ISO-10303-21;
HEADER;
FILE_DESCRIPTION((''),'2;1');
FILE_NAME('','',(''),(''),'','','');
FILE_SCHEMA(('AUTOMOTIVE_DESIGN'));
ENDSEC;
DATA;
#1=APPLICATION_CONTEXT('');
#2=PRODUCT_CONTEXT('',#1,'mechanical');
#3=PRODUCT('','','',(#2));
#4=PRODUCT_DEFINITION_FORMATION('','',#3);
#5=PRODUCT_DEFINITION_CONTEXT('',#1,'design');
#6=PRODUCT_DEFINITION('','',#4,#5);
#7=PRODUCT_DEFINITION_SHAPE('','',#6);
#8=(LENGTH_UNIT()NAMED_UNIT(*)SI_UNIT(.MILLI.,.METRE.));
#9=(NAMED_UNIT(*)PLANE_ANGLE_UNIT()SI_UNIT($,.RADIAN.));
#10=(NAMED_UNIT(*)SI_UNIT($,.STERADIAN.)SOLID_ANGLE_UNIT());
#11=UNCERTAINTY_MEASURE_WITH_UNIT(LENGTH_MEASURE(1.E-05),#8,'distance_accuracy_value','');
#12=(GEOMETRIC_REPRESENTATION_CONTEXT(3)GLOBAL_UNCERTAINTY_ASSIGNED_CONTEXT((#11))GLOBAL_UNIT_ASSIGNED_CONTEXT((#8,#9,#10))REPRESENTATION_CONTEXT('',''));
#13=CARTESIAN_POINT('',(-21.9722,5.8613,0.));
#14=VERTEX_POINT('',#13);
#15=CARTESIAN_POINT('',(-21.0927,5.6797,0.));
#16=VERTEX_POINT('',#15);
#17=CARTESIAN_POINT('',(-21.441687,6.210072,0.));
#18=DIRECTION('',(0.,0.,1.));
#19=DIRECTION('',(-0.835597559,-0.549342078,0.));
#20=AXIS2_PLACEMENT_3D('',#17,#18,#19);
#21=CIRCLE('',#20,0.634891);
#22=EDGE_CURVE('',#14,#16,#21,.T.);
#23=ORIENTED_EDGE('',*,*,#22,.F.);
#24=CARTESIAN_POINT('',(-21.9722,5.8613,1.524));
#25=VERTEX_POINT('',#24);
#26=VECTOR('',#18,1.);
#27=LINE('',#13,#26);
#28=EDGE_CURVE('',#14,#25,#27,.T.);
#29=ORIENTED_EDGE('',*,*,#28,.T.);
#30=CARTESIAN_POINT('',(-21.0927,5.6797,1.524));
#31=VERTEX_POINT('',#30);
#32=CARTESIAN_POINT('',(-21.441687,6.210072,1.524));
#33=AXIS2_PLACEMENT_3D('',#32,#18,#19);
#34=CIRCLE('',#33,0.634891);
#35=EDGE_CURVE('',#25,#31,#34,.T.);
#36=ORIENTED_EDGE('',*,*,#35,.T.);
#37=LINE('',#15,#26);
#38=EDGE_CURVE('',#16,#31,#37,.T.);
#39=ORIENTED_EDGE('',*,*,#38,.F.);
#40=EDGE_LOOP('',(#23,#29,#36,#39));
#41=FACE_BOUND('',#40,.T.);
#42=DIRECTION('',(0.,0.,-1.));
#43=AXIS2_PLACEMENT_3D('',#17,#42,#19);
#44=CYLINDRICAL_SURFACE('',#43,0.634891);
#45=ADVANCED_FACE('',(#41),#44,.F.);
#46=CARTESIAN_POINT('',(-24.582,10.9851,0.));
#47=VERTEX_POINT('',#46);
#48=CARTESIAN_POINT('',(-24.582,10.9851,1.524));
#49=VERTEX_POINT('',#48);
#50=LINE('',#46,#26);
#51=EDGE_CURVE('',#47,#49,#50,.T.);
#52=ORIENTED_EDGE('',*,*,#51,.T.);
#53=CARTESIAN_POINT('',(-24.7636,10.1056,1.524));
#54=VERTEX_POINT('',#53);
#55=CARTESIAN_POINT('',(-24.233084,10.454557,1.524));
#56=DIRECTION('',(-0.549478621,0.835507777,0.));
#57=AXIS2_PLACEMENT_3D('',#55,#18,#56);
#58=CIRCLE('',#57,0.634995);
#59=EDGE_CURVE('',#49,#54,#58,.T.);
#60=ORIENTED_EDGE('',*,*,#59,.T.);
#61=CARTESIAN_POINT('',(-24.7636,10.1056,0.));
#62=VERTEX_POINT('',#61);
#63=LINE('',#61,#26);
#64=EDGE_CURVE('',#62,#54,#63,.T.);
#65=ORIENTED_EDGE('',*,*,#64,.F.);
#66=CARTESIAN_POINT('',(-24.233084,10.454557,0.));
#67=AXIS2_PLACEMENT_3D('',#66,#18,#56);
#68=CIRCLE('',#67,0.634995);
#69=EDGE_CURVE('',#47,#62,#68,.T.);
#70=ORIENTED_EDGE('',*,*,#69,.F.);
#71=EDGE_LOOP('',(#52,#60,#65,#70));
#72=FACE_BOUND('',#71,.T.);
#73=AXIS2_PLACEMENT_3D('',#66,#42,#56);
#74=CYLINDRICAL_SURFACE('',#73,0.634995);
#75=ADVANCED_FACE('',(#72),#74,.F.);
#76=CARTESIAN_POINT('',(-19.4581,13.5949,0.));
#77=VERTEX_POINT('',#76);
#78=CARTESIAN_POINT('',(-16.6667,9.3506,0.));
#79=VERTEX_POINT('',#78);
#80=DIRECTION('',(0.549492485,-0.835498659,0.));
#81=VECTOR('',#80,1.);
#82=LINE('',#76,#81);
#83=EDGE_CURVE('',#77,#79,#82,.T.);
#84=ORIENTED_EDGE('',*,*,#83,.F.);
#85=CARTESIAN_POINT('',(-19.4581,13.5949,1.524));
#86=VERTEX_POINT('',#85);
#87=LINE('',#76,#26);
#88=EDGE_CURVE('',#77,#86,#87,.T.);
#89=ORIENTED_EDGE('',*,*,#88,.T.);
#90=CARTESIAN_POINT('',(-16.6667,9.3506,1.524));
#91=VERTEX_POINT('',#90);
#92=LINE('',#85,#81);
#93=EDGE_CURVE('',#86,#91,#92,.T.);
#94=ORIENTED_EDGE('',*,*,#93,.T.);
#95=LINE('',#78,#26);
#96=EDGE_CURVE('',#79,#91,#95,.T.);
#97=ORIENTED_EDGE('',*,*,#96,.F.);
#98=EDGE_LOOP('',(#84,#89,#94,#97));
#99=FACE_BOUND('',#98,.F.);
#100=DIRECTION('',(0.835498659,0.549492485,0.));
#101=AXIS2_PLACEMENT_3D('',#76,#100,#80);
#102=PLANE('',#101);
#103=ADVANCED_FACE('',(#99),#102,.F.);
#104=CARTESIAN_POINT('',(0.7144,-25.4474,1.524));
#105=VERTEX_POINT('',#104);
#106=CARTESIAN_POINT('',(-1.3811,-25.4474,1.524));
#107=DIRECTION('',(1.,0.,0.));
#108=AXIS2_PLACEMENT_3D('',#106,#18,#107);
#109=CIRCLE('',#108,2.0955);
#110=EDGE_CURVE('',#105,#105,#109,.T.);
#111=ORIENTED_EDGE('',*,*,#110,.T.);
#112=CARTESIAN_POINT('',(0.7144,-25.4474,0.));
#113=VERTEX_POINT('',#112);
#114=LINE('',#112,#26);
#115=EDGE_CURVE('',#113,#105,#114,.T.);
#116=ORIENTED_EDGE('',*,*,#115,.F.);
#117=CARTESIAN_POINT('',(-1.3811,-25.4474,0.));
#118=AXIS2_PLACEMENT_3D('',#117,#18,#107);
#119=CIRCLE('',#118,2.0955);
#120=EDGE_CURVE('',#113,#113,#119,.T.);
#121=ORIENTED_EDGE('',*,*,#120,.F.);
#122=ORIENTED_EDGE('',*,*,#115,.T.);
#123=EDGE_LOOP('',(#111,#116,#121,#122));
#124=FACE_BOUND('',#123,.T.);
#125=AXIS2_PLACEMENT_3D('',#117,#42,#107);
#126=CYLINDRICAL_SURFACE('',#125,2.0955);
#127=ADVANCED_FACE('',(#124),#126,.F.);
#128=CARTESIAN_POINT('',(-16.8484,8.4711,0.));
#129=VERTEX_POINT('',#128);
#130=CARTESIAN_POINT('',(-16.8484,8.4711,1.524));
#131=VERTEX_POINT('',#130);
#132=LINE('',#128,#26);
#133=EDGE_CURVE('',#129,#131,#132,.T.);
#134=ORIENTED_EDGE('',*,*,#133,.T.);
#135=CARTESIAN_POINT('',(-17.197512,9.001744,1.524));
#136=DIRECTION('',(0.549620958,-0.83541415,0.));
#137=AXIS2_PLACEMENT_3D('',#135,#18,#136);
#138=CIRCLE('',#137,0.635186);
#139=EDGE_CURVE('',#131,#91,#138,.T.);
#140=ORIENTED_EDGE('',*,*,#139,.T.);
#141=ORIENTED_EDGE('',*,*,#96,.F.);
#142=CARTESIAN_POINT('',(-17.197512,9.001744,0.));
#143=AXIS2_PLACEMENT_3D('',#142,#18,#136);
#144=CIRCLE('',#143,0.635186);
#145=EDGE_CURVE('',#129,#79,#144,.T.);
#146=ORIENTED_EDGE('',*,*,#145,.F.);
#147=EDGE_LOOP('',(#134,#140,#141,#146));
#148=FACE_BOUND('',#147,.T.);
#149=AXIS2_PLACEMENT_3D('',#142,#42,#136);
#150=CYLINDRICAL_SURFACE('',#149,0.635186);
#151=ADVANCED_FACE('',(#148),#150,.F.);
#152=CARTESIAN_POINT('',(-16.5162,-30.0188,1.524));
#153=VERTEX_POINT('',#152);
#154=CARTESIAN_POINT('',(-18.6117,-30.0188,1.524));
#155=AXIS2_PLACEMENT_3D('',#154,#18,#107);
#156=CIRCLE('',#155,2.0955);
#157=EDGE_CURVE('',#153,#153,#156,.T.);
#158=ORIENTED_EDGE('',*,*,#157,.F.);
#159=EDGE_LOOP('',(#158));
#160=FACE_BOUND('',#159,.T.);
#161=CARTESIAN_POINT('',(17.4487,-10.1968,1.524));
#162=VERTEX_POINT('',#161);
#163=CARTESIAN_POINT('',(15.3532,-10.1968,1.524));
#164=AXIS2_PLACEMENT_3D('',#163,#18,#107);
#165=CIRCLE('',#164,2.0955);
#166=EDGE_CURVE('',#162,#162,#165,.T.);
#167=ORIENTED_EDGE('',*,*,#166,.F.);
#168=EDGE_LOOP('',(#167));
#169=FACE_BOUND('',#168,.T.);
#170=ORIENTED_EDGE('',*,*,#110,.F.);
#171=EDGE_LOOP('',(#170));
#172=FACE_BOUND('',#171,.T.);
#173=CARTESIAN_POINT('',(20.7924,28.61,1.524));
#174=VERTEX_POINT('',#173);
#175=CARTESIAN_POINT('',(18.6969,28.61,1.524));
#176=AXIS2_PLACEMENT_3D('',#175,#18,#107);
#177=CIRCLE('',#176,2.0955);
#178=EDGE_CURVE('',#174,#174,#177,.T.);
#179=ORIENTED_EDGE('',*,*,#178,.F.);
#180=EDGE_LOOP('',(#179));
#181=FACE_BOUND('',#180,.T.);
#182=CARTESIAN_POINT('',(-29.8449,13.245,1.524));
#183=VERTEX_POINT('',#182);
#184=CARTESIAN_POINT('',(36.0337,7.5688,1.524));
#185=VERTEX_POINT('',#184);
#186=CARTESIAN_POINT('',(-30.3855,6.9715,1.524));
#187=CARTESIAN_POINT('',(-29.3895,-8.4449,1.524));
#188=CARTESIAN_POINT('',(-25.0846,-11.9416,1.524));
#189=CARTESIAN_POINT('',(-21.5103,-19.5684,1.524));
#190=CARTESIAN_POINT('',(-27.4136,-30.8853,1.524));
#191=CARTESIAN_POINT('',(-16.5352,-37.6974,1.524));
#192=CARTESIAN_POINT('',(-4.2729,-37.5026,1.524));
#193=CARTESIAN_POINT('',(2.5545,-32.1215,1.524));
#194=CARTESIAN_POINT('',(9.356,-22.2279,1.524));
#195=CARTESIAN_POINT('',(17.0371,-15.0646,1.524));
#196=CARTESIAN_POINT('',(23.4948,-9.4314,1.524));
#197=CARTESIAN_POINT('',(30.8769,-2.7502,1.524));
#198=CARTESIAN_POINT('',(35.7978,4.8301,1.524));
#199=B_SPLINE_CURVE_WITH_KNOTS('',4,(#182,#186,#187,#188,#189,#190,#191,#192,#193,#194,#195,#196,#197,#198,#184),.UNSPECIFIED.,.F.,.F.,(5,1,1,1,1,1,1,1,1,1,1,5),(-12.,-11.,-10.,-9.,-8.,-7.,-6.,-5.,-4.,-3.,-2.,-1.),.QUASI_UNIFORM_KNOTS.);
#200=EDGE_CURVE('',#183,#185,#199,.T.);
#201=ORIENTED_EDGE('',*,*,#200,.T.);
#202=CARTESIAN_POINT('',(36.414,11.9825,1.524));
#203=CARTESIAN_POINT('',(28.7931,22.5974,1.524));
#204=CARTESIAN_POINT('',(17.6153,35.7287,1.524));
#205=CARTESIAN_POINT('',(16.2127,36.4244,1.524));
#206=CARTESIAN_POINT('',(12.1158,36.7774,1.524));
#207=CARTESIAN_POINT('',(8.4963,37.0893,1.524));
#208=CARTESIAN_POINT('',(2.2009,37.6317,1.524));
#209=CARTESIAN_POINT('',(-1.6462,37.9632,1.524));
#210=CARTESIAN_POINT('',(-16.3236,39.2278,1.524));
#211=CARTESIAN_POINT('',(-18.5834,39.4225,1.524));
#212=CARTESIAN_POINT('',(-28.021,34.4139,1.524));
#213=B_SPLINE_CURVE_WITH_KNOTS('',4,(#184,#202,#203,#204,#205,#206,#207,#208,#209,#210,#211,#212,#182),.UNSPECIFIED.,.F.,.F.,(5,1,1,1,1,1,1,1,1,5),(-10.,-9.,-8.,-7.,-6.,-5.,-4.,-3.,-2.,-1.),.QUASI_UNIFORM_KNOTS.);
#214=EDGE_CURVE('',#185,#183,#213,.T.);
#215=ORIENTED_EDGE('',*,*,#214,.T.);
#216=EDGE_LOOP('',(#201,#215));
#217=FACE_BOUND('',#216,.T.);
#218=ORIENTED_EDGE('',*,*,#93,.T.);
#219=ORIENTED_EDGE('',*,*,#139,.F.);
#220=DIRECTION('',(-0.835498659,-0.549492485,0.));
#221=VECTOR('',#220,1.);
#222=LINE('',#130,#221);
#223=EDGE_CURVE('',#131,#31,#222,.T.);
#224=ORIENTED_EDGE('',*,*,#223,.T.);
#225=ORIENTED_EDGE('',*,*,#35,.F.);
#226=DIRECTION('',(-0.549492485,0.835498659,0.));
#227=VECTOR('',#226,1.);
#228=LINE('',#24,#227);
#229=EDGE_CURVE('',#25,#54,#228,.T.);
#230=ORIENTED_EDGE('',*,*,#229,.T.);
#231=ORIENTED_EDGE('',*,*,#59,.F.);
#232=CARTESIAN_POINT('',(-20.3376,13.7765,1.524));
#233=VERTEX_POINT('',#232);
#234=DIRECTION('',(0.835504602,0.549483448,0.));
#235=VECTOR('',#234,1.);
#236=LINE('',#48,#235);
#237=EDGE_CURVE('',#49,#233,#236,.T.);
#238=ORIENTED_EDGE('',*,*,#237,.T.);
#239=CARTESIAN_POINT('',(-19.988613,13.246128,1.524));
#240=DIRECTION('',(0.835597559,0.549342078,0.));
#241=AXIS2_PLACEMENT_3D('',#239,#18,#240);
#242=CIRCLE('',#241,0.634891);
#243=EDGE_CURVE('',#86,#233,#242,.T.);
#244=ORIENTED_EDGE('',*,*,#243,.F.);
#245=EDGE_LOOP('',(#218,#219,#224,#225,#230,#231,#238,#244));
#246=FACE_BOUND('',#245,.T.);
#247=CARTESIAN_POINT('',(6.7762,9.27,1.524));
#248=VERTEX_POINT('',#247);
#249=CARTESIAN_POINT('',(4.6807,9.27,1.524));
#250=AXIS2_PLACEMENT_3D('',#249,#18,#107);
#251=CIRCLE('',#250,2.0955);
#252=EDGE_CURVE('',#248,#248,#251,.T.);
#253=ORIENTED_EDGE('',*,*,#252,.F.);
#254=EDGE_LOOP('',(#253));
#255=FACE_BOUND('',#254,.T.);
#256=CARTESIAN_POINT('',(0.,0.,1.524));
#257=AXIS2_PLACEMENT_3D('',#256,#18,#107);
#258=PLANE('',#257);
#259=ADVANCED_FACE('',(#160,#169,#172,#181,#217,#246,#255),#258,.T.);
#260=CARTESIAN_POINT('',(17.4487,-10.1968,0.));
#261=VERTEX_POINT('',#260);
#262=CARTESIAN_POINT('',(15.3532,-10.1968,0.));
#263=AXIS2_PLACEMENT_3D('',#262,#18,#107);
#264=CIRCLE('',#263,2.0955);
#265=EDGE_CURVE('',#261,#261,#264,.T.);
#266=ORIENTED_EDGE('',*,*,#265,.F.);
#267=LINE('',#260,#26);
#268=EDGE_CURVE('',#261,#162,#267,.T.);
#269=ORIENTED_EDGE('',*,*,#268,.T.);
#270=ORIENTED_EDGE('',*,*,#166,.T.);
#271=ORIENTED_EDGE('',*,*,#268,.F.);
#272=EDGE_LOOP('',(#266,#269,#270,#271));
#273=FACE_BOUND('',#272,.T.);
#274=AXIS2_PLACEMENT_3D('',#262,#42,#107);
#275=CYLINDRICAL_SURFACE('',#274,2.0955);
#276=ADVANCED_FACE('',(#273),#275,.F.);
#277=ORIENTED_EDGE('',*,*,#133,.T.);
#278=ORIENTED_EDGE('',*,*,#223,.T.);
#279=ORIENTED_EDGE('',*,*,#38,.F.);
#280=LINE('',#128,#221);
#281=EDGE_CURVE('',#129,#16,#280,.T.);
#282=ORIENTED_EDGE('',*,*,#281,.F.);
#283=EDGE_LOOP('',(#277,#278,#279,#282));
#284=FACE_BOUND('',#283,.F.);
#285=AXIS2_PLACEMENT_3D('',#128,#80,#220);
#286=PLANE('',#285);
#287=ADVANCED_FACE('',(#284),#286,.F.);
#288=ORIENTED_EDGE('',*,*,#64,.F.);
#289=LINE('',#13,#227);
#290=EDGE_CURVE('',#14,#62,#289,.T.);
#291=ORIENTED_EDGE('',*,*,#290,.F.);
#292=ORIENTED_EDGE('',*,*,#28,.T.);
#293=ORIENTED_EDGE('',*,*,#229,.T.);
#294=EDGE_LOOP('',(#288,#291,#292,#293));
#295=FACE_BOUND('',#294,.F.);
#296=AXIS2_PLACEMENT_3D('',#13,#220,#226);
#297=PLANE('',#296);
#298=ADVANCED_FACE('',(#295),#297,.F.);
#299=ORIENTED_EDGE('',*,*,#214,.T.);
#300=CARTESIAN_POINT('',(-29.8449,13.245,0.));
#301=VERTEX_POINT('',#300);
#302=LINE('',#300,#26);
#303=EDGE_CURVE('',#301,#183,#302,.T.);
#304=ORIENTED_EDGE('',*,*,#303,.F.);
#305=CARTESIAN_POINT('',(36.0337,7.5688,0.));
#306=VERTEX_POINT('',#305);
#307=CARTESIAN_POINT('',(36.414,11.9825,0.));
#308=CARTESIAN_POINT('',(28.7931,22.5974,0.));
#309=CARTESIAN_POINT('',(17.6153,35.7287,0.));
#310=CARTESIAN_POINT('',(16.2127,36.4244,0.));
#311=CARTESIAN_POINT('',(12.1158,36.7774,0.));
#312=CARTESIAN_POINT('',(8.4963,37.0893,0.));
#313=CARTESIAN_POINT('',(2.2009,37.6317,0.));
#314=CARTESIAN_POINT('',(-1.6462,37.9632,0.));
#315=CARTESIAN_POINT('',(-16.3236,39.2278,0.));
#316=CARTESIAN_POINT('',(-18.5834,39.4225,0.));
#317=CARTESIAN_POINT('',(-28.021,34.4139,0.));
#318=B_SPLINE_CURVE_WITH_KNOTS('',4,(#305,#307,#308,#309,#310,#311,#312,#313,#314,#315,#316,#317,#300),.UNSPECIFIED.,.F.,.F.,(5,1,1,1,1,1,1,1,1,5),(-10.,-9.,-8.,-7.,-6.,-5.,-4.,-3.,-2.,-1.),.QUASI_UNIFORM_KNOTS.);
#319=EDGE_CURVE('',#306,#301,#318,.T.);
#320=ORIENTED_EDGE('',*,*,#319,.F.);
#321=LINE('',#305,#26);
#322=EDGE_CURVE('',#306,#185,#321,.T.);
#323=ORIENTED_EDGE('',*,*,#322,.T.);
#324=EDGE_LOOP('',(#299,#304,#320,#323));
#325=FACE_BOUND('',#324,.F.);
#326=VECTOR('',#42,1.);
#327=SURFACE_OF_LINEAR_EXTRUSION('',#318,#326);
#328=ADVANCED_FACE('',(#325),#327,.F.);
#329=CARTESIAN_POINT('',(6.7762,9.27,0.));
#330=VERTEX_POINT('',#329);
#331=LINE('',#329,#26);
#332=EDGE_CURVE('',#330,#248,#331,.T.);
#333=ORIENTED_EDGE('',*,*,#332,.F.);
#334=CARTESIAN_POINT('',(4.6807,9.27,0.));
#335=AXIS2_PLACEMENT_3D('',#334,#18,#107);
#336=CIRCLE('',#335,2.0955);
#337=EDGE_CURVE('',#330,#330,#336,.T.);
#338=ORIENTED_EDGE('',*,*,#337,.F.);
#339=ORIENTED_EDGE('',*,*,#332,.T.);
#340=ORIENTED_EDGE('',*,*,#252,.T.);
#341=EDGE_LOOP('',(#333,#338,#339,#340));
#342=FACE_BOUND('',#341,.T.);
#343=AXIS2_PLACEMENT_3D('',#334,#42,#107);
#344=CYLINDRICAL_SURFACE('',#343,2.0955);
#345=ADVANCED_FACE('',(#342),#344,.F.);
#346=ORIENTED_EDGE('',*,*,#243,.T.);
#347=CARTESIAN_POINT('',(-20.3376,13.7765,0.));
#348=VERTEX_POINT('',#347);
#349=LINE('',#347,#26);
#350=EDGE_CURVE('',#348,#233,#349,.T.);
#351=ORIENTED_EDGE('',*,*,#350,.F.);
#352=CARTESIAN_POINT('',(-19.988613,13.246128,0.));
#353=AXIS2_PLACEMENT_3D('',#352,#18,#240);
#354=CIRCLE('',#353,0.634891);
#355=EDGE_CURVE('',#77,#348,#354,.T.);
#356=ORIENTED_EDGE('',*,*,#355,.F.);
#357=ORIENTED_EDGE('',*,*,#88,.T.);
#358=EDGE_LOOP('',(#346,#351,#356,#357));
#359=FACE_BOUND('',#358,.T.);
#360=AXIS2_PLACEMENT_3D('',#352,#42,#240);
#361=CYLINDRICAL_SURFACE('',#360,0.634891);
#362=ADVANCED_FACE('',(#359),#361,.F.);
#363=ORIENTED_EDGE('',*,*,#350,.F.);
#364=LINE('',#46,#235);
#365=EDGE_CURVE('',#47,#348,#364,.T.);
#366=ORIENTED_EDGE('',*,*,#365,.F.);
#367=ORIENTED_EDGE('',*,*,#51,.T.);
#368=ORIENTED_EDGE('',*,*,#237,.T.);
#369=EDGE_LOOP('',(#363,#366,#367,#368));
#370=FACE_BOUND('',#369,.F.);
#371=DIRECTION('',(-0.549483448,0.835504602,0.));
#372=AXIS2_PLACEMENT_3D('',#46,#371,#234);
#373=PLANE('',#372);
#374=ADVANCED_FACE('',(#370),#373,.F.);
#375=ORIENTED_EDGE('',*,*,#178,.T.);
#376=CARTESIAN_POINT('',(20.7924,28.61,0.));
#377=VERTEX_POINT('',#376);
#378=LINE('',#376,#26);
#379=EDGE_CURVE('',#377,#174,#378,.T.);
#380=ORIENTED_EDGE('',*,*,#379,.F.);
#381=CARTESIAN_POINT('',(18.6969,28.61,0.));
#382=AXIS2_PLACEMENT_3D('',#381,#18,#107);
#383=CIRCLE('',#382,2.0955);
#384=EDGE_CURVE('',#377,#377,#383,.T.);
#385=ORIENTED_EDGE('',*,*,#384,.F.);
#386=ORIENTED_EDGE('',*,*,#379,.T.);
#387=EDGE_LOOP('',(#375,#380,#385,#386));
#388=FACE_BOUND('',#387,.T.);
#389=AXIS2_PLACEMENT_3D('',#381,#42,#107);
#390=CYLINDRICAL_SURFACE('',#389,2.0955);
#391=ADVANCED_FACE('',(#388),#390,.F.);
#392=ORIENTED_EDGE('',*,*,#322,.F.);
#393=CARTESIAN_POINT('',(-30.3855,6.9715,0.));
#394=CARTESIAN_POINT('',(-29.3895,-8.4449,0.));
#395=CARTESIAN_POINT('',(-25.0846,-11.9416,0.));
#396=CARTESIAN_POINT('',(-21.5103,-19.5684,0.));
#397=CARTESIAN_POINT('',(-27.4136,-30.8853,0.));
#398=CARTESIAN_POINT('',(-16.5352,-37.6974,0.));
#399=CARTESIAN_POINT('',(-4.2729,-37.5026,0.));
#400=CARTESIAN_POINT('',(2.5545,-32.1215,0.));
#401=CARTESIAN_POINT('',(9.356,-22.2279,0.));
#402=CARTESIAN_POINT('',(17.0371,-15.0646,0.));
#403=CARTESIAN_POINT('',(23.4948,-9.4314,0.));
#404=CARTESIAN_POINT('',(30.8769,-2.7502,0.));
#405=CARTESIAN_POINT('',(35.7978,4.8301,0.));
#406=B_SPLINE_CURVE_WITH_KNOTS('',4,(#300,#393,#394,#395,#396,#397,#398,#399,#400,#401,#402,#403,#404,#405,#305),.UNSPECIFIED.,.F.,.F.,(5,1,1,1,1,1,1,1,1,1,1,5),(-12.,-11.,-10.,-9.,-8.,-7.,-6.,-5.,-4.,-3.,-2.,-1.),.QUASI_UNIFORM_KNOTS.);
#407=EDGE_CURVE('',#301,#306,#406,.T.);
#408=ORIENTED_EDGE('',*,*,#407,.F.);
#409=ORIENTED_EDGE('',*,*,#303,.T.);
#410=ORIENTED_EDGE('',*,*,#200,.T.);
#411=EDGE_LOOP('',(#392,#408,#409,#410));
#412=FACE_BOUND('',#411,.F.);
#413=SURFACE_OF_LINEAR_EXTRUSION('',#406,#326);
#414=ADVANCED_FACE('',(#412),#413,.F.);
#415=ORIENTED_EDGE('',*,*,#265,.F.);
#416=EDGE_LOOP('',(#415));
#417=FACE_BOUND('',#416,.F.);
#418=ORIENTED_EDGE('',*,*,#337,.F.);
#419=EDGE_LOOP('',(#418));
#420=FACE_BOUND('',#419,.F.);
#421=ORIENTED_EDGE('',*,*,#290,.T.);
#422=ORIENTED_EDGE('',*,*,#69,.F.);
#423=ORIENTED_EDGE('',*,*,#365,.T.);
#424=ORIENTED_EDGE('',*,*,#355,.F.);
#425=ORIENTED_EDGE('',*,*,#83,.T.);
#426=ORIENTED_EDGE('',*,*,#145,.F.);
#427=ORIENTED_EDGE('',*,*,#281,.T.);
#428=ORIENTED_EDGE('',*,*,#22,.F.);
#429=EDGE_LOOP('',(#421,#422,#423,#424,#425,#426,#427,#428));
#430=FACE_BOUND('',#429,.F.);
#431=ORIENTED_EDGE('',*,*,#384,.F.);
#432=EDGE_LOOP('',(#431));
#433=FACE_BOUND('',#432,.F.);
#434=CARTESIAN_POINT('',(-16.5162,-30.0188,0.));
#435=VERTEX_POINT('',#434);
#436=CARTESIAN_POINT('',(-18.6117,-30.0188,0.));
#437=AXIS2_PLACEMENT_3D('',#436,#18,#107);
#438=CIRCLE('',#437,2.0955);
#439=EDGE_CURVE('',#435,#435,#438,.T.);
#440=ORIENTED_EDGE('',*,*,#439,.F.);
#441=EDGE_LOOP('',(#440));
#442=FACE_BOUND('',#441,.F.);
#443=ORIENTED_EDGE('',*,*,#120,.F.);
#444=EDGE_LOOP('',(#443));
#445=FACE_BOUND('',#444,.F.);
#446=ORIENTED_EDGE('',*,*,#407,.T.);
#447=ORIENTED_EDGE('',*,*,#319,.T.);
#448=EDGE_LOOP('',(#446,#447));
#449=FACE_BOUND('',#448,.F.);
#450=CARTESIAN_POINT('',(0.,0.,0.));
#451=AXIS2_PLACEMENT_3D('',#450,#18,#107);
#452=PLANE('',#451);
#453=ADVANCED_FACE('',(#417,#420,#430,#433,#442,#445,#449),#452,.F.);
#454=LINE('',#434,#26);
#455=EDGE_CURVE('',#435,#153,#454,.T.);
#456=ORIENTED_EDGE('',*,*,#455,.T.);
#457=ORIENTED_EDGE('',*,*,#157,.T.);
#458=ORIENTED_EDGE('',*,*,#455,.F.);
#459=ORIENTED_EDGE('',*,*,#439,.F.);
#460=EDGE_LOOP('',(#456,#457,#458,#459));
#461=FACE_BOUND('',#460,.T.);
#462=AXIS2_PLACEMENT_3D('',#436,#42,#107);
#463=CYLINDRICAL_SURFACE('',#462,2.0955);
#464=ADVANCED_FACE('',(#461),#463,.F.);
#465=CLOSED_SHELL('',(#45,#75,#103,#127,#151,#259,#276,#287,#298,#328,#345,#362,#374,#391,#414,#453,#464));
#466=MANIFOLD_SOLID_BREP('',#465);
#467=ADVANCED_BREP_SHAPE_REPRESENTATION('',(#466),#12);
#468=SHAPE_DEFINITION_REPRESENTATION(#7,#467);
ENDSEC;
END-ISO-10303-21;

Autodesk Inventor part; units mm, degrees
ref_plane "YZ Plane" through (0, 0, 0) normal (1, 0, 0) x (0, 1, 0)
ref_plane "XZ Plane" through (0, 0, 0) normal (0, 1, 0) x (-1, 0, 0)
ref_plane "XY Plane" through (0, 0, 0) normal (0, 0, 1) x (1, 0, 0)
sketch "Sketch1" plane through (0, 0, 0) normal (0, 0, 1) x (1, 0, 0)
  spline S0 degree 4 poles (36.0337, 7.5688) (36.414, 11.9825) (28.7931, 22.5974) (17.6153, 35.7287) (16.2127, 36.4244) (12.1158, 36.7774) (8.4963, 37.0893) (2.2009, 37.6317) (-1.6462, 37.9632) (-16.3236, 39.2278) (-18.5834, 39.4225) (-28.021, 34.4139) (-29.8449, 13.245) knots -10 -10 -10 -10 -10 -9 -8 -7 -6 -5 -4 -3 -2 -1 -1 -1 -1 -1 projected
  spline S1 degree 4 poles (-29.8449, 13.245) (-30.3855, 6.9715) (-29.3895, -8.4449) (-25.0846, -11.9416) (-21.5103, -19.5684) (-27.4136, -30.8853) (-16.5352, -37.6974) (-4.2729, -37.5026) (2.5545, -32.1215) (9.356, -22.2279) (17.0371, -15.0646) (23.4948, -9.4314) (30.8769, -2.7502) (35.7978, 4.8301) (36.0337, 7.5688) knots -12 -12 -12 -12 -12 -11 -10 -9 -8 -7 -6 -5 -4 -3 -2 -1 -1 -1 -1 -1 projected
  circle A0 centre (-1.3811, -25.4474) radius 2.0955 projected
  circle A1 centre (-18.6117, -30.0188) radius 2.0955 projected
  circle A2 centre (18.6969, 28.61) radius 2.0955 projected
  circle A3 centre (15.3532, -10.1968) radius 2.0955 projected
  arc A4 (-24.582, 10.9851) -> (-24.7636, 10.1056) centre (-24.233, 10.4545) ccw projected
  line L0 (-24.582, 10.9851) -> (-20.3376, 13.7765) projected
  arc A5 (-19.4581, 13.5949) -> (-20.3376, 13.7765) centre (-19.9887, 13.246) ccw projected
  line L1 (-19.4581, 13.5949) -> (-16.6667, 9.3506) projected
  arc A6 (-16.8484, 8.4711) -> (-16.6667, 9.3506) centre (-17.1973, 9.0016) ccw projected
  line L2 (-16.8484, 8.4711) -> (-21.0927, 5.6797) projected
  arc A7 (-21.9722, 5.8613) -> (-21.0927, 5.6797) centre (-21.4416, 6.2102) ccw projected
  line L3 (-21.9722, 5.8613) -> (-24.7636, 10.1056) projected
  circle A8 centre (4.6807, 9.27) radius 2.0955
  line L4 (-17.1973, 9.0016) -> (-24.233, 10.4545) construction
  point P0 (-20.7152, 9.7281)
  dimension "d9" = 4.191
extrude "Extrusion1" add sketch "Sketch1" along normal blind 1.524
properties part number "tracking-wheet-outer-mount-v2"
